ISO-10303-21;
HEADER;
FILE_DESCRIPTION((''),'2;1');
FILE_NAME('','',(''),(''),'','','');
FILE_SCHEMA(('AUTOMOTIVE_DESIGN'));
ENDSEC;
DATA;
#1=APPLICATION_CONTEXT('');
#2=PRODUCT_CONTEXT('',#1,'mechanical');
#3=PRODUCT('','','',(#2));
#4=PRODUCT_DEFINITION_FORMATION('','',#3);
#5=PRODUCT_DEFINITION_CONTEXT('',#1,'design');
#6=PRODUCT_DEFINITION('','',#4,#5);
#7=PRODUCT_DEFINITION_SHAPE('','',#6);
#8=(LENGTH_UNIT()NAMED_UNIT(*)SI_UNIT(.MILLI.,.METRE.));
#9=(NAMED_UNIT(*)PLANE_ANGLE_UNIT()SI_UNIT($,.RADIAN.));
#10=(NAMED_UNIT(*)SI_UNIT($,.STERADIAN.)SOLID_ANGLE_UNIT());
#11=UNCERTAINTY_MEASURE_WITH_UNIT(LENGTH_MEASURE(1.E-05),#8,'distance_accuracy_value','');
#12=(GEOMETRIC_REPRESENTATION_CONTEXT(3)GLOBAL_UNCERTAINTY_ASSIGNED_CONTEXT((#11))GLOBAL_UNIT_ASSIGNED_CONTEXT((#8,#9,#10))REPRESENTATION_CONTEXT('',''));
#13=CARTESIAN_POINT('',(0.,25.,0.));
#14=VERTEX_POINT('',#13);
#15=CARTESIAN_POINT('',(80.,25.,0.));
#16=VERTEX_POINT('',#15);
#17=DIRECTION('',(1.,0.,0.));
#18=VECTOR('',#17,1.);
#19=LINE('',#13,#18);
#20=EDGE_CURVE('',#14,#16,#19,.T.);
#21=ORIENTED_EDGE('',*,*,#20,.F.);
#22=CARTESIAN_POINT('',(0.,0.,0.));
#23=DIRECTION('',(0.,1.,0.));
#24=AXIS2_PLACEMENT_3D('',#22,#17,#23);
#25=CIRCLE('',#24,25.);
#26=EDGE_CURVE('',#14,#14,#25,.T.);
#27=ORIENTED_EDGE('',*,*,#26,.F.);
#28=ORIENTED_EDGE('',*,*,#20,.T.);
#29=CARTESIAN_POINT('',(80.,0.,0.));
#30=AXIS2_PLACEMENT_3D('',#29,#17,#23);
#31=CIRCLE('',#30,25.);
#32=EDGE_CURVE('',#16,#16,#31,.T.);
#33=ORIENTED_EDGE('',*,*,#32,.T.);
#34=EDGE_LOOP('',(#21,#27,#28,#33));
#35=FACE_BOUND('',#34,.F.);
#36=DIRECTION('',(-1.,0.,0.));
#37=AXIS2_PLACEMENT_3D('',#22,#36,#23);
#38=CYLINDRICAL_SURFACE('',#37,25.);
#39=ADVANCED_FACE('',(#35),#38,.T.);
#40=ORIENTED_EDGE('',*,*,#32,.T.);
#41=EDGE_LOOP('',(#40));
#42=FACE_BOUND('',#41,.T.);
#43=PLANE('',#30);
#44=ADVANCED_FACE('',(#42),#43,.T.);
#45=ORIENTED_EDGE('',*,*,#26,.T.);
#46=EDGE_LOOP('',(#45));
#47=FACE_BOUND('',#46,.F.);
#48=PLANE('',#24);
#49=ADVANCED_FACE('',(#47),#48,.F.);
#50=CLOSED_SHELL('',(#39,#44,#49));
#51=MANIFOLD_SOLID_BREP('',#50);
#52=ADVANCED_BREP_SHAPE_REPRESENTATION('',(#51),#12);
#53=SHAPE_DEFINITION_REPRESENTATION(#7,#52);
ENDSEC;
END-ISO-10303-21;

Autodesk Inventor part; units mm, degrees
ref_plane "YZ Plane" through (0, 0, 0) normal (1, 0, 0) x (0, 1, 0)
ref_plane "XZ Plane" through (0, 0, 0) normal (0, 1, 0) x (-1, 0, 0)
ref_plane "XY Plane" through (0, 0, 0) normal (0, 0, 1) x (1, 0, 0)
sketch "Эскиз1" plane through (0, 0, 0) normal (1, 0, 0) x (0, 1, 0)
  circle A0 centre (0, 0) radius 25
  dimension "d0" = 50
extrude "Выдавливание1" add sketch "Эскиз1" along normal blind 80
properties part number "lw_6_part3_cilindr1"
